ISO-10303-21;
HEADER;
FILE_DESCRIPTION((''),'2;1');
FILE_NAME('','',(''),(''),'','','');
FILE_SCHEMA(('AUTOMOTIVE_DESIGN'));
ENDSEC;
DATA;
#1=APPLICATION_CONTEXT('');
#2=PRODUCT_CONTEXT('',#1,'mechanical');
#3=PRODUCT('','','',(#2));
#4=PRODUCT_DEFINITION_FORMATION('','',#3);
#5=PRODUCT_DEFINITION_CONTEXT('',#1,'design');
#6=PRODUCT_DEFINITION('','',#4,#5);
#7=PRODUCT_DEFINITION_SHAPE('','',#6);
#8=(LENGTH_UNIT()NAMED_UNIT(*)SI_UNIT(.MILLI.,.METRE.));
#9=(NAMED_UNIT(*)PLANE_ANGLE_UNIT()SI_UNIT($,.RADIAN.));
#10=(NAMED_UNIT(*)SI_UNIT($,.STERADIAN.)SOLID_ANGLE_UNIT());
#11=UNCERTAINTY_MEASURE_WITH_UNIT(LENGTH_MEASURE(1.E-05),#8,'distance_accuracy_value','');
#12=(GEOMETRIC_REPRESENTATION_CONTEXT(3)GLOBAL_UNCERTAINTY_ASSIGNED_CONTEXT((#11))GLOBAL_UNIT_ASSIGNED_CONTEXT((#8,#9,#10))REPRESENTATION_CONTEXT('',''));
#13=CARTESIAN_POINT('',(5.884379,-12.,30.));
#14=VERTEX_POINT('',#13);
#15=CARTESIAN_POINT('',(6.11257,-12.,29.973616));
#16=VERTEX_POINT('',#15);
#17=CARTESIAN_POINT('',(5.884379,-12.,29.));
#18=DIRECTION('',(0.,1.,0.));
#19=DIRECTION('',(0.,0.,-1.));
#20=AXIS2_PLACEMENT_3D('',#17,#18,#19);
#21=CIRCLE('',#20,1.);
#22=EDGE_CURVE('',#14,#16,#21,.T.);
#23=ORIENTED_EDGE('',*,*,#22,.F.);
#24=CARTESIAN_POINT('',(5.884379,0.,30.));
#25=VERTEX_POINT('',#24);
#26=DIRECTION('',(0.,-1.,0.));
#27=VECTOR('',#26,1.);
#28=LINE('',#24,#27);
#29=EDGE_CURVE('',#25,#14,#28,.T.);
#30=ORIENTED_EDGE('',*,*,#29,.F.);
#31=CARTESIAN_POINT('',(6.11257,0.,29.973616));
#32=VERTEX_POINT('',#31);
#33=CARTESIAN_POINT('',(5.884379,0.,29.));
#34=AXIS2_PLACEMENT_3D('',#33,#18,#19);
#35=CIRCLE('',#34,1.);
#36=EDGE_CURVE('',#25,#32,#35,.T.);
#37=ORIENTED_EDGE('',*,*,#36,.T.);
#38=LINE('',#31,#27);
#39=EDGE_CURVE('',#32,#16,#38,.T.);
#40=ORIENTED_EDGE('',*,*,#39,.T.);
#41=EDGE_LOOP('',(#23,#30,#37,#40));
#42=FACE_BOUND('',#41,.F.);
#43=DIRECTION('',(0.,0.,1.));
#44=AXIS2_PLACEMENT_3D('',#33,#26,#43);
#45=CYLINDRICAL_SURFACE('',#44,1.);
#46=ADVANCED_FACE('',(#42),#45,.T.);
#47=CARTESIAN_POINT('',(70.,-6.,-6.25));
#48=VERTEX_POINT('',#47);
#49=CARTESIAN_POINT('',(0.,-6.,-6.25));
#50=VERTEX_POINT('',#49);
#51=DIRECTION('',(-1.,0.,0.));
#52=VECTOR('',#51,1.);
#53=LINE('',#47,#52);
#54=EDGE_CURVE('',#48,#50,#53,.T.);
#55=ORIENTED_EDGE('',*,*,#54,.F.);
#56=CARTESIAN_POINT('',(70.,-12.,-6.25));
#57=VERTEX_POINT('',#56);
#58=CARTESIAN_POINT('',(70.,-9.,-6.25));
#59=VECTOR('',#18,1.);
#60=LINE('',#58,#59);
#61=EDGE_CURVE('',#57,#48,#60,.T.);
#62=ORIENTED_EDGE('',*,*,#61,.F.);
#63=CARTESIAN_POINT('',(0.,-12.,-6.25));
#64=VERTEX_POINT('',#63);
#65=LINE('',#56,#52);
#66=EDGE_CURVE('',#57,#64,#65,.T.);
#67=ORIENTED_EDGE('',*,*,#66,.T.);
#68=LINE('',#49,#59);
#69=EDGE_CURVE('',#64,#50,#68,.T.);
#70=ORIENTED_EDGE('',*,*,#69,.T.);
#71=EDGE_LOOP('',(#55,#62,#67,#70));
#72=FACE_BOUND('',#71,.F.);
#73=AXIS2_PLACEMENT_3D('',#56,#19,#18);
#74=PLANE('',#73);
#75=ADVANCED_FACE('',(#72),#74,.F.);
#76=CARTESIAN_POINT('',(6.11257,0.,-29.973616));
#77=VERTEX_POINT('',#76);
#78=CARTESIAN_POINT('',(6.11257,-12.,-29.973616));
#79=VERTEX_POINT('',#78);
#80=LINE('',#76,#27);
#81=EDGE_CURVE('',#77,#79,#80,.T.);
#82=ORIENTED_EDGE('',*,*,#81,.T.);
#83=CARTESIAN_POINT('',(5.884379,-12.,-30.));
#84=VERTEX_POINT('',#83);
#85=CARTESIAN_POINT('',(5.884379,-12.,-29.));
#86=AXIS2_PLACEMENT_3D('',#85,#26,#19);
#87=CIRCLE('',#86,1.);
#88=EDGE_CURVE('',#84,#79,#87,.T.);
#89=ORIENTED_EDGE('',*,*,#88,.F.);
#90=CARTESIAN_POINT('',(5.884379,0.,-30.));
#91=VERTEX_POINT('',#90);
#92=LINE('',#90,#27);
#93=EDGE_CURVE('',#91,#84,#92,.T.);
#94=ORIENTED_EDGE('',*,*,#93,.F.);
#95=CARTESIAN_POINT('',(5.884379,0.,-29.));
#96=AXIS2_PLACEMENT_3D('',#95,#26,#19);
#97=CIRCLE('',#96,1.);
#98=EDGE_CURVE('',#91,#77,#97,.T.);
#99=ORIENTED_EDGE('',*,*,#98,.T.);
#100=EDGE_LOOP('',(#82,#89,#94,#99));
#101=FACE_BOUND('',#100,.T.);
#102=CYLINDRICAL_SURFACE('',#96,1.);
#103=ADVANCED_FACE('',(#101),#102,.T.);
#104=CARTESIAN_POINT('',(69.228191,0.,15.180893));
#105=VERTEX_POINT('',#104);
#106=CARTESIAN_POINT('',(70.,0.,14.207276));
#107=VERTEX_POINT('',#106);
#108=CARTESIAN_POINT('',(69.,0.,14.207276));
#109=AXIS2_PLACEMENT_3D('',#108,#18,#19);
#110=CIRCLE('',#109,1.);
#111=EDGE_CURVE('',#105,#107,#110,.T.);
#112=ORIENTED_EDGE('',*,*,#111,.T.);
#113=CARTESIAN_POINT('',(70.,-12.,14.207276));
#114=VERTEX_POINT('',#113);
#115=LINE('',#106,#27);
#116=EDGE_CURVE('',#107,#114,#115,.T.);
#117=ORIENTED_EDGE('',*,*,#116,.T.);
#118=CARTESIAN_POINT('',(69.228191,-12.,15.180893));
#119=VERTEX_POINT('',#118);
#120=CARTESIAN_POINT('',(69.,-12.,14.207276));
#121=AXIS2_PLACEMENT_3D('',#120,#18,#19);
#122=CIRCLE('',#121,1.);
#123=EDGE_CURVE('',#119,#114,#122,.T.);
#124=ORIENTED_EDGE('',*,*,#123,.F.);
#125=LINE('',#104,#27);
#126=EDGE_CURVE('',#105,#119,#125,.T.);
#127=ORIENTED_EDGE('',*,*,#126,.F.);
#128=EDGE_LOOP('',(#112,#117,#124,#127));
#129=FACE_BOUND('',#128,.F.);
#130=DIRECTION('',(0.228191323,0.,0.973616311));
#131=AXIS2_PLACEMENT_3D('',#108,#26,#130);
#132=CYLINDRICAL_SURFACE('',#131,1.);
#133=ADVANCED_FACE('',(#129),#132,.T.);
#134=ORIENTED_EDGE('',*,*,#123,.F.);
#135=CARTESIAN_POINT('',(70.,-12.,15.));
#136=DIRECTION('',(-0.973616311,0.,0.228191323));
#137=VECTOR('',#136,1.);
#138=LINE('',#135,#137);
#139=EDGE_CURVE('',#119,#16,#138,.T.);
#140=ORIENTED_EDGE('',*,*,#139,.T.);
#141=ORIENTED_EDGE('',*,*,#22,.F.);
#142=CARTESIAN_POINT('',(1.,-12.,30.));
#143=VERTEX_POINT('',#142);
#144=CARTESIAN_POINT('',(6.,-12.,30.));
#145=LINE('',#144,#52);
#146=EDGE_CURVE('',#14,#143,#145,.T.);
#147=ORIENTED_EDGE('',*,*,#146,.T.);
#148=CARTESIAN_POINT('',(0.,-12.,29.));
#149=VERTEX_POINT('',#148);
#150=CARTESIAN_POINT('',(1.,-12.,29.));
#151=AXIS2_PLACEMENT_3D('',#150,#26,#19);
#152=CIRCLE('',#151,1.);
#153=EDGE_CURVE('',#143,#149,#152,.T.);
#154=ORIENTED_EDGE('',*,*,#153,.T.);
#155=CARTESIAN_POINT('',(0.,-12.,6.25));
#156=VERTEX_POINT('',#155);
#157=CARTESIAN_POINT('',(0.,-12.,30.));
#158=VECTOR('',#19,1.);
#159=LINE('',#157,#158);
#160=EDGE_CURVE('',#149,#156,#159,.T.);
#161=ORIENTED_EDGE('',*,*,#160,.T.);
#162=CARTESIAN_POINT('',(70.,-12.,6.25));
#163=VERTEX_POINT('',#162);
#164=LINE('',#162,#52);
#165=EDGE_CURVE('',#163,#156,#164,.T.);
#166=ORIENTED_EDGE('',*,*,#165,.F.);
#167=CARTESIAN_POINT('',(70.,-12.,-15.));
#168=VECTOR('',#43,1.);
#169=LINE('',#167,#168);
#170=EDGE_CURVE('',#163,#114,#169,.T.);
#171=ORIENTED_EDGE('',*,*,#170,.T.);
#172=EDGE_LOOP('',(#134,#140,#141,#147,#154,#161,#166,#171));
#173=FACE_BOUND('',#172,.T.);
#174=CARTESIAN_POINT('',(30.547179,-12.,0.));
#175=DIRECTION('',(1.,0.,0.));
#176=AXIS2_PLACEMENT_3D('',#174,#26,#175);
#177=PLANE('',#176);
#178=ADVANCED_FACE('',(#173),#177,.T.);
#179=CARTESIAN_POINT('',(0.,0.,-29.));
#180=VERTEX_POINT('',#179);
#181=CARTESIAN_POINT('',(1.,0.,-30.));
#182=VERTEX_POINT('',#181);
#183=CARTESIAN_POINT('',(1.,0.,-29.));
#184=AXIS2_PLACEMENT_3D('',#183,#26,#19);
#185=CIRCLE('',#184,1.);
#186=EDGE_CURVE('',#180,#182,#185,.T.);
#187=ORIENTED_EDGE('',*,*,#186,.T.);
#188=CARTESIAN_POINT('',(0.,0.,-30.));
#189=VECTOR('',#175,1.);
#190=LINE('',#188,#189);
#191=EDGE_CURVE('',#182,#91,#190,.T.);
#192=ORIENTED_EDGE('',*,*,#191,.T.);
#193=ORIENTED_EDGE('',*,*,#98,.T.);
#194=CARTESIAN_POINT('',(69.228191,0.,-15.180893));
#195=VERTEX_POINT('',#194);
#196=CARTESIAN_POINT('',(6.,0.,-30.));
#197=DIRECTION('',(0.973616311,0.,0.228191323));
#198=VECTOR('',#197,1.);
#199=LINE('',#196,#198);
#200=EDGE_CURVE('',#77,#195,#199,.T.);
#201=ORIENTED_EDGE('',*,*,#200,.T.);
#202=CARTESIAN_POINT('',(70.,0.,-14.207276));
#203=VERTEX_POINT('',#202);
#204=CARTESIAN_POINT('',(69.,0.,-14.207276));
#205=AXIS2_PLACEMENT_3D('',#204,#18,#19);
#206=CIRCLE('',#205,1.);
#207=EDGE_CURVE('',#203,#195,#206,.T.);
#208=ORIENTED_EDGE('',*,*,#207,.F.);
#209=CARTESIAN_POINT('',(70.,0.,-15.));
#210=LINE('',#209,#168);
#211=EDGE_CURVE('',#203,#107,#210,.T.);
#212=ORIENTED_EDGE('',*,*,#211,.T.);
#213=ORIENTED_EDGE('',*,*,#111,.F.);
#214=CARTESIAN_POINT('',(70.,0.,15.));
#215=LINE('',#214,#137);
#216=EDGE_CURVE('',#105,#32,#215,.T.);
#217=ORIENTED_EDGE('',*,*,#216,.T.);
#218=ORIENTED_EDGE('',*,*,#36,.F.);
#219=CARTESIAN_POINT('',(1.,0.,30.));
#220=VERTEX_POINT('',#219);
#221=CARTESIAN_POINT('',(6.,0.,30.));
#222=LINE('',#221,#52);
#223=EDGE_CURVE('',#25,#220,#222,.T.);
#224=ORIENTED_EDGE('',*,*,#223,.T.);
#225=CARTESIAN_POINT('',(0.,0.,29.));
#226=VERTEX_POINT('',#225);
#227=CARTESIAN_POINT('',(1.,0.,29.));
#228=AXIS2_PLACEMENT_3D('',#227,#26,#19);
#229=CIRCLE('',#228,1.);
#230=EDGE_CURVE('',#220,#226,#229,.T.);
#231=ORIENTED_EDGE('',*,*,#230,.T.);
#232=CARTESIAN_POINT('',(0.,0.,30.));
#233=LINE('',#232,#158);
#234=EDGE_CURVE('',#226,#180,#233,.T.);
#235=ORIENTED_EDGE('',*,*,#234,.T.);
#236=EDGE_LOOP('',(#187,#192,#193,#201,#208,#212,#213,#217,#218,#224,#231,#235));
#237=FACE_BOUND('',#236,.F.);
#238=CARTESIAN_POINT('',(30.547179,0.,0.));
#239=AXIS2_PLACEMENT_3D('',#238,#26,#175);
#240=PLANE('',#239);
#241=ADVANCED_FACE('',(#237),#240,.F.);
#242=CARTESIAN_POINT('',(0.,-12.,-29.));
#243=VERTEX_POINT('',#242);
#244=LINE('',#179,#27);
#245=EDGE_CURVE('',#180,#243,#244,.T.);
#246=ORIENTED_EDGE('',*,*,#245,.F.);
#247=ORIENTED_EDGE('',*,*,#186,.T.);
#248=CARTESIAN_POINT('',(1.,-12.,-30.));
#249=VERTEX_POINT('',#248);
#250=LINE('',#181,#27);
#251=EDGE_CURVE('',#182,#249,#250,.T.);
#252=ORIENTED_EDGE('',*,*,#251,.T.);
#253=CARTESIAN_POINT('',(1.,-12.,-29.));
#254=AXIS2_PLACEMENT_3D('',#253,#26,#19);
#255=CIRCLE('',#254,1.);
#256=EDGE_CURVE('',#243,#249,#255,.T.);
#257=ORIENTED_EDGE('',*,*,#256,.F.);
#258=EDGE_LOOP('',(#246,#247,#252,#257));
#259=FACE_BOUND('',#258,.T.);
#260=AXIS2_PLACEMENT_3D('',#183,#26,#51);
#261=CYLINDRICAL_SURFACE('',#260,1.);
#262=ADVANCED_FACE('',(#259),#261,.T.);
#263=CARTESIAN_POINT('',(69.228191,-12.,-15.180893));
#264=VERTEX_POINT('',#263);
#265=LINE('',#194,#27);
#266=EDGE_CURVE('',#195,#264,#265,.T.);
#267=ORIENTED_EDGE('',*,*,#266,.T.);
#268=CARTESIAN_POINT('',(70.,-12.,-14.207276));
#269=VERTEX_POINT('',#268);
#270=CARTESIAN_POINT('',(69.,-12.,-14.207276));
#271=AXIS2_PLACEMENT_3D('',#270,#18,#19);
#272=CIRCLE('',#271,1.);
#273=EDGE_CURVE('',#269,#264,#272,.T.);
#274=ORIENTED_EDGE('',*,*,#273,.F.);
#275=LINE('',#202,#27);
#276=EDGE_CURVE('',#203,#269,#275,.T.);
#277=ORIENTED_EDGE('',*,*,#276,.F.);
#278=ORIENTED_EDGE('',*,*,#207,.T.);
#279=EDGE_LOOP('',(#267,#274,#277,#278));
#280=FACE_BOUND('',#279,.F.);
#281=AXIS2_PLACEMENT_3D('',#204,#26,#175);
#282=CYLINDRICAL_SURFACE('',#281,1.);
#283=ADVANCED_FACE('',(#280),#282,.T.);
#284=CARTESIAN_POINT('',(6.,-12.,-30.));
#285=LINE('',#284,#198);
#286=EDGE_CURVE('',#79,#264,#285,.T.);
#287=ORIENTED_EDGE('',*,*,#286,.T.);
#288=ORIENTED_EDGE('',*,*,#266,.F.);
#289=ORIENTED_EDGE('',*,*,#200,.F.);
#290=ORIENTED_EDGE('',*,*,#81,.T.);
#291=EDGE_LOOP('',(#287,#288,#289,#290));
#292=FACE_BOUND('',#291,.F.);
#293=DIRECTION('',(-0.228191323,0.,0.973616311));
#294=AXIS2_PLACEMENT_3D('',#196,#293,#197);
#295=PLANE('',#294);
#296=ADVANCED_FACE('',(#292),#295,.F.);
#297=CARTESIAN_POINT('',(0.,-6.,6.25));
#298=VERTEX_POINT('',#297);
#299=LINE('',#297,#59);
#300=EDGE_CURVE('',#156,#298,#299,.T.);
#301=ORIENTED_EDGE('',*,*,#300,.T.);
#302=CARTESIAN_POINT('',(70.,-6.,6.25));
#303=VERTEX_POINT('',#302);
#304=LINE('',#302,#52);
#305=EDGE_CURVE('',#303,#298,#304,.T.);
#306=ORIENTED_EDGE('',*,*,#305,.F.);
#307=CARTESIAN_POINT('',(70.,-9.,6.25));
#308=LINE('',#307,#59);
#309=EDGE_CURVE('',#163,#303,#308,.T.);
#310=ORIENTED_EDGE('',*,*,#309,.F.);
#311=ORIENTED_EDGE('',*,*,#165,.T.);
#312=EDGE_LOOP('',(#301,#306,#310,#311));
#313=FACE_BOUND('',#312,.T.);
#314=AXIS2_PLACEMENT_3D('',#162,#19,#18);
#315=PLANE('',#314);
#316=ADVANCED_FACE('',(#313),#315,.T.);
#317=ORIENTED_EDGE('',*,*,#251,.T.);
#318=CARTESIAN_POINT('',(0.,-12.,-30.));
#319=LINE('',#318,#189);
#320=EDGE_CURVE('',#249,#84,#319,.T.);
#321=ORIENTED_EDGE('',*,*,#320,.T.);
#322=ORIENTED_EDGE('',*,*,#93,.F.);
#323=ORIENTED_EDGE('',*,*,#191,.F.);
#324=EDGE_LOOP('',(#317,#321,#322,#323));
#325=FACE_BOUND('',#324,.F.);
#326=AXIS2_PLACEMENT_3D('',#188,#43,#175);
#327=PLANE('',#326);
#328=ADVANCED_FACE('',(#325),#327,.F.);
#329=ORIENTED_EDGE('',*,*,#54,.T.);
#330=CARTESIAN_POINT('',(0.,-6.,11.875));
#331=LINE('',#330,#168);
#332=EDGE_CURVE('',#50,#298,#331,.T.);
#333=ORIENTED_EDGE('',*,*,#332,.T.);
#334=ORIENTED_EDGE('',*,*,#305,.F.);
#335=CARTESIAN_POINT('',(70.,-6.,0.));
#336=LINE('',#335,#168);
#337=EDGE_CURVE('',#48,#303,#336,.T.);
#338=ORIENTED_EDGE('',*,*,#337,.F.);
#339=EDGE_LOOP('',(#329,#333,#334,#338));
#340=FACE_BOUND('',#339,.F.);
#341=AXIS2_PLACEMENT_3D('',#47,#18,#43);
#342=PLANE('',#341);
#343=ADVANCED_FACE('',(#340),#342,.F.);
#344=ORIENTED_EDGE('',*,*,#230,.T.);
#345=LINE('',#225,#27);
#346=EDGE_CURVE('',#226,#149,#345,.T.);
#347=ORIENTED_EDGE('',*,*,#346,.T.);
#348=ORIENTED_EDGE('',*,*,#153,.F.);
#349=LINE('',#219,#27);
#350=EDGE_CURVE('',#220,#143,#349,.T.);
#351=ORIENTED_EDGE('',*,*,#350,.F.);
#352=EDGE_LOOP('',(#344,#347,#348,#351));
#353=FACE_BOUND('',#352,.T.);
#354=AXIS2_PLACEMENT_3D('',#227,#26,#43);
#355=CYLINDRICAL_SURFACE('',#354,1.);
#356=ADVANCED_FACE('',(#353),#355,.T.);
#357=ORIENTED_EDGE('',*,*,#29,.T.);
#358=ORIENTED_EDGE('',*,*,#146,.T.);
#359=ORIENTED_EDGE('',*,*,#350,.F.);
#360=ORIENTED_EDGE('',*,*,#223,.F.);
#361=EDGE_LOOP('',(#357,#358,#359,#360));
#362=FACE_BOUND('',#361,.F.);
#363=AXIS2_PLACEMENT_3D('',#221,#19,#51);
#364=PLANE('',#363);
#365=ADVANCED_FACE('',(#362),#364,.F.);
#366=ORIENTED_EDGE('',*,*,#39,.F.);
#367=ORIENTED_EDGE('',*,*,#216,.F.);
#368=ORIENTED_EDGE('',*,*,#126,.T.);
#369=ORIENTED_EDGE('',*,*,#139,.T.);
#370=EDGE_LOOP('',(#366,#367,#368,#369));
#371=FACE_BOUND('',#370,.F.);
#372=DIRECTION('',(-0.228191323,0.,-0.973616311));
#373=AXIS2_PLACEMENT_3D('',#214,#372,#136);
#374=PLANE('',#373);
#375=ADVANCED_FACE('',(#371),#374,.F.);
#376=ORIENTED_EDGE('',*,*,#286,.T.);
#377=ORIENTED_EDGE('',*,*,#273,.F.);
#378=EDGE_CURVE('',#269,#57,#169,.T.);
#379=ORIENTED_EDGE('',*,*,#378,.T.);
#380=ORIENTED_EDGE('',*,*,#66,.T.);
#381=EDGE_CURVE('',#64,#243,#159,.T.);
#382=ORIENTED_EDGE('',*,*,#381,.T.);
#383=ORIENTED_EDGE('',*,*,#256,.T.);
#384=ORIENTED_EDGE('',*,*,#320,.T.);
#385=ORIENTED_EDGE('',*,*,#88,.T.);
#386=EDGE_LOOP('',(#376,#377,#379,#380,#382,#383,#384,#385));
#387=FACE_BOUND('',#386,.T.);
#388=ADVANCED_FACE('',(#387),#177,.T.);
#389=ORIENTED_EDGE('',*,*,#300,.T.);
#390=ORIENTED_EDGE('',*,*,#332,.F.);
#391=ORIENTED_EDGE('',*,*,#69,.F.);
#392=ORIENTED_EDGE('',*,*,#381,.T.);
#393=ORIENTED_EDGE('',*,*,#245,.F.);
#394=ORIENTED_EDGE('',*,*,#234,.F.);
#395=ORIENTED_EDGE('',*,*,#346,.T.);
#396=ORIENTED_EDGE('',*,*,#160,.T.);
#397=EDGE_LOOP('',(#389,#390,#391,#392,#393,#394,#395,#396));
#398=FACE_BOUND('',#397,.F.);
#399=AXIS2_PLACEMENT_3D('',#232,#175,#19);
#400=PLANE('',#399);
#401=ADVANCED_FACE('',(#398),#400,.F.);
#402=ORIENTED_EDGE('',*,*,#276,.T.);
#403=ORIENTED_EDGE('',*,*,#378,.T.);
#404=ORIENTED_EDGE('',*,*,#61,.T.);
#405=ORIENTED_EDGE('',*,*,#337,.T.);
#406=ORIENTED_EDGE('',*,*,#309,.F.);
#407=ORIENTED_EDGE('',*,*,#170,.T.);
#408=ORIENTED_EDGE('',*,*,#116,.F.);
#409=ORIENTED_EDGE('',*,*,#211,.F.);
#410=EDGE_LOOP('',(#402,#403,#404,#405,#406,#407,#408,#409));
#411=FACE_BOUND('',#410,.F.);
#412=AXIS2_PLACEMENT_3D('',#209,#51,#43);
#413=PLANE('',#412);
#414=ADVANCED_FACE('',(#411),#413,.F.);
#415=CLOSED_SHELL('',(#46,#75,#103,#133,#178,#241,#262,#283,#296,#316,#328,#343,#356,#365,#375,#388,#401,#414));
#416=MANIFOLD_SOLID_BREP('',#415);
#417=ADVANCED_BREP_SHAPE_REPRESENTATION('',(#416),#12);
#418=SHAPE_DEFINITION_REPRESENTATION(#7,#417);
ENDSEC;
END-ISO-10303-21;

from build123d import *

# Parameters (mm, degrees)
F1_DEPTH = 12
F2_W     = 6
F2_H     = 12.5
F3_DEPTH = 70.001
F4_R     = 1


with BuildPart() as f1:
    # F0 (on Front) → F1 (new body)
    with BuildSketch(Plane.XZ):
        Polygon((6, 30), (0, 30), (0, -30), (6, -30), (70, -15), (70, 15), align=None)
    extrude(amount=F1_DEPTH)

    # F2 (on face) → F3 (cut, through all)
    with BuildSketch(Plane.YZ.offset(70)):
        with Locations((-9, 0)):
            Rectangle(F2_W, F2_H)
    extrude(amount=-F3_DEPTH, mode=Mode.SUBTRACT)

    # F4
    f4_edges = [f1.edges().sort_by_distance(p)[0] for p in [
        (70, -6, 15),
        (6, -6, 30),
        (0, -6, 30),
        (70, -6, -15),
        (6, -6, -30),
        (0, -6, -30),
    ]]
    fillet(f4_edges, radius=F4_R)


solid = f1.part
